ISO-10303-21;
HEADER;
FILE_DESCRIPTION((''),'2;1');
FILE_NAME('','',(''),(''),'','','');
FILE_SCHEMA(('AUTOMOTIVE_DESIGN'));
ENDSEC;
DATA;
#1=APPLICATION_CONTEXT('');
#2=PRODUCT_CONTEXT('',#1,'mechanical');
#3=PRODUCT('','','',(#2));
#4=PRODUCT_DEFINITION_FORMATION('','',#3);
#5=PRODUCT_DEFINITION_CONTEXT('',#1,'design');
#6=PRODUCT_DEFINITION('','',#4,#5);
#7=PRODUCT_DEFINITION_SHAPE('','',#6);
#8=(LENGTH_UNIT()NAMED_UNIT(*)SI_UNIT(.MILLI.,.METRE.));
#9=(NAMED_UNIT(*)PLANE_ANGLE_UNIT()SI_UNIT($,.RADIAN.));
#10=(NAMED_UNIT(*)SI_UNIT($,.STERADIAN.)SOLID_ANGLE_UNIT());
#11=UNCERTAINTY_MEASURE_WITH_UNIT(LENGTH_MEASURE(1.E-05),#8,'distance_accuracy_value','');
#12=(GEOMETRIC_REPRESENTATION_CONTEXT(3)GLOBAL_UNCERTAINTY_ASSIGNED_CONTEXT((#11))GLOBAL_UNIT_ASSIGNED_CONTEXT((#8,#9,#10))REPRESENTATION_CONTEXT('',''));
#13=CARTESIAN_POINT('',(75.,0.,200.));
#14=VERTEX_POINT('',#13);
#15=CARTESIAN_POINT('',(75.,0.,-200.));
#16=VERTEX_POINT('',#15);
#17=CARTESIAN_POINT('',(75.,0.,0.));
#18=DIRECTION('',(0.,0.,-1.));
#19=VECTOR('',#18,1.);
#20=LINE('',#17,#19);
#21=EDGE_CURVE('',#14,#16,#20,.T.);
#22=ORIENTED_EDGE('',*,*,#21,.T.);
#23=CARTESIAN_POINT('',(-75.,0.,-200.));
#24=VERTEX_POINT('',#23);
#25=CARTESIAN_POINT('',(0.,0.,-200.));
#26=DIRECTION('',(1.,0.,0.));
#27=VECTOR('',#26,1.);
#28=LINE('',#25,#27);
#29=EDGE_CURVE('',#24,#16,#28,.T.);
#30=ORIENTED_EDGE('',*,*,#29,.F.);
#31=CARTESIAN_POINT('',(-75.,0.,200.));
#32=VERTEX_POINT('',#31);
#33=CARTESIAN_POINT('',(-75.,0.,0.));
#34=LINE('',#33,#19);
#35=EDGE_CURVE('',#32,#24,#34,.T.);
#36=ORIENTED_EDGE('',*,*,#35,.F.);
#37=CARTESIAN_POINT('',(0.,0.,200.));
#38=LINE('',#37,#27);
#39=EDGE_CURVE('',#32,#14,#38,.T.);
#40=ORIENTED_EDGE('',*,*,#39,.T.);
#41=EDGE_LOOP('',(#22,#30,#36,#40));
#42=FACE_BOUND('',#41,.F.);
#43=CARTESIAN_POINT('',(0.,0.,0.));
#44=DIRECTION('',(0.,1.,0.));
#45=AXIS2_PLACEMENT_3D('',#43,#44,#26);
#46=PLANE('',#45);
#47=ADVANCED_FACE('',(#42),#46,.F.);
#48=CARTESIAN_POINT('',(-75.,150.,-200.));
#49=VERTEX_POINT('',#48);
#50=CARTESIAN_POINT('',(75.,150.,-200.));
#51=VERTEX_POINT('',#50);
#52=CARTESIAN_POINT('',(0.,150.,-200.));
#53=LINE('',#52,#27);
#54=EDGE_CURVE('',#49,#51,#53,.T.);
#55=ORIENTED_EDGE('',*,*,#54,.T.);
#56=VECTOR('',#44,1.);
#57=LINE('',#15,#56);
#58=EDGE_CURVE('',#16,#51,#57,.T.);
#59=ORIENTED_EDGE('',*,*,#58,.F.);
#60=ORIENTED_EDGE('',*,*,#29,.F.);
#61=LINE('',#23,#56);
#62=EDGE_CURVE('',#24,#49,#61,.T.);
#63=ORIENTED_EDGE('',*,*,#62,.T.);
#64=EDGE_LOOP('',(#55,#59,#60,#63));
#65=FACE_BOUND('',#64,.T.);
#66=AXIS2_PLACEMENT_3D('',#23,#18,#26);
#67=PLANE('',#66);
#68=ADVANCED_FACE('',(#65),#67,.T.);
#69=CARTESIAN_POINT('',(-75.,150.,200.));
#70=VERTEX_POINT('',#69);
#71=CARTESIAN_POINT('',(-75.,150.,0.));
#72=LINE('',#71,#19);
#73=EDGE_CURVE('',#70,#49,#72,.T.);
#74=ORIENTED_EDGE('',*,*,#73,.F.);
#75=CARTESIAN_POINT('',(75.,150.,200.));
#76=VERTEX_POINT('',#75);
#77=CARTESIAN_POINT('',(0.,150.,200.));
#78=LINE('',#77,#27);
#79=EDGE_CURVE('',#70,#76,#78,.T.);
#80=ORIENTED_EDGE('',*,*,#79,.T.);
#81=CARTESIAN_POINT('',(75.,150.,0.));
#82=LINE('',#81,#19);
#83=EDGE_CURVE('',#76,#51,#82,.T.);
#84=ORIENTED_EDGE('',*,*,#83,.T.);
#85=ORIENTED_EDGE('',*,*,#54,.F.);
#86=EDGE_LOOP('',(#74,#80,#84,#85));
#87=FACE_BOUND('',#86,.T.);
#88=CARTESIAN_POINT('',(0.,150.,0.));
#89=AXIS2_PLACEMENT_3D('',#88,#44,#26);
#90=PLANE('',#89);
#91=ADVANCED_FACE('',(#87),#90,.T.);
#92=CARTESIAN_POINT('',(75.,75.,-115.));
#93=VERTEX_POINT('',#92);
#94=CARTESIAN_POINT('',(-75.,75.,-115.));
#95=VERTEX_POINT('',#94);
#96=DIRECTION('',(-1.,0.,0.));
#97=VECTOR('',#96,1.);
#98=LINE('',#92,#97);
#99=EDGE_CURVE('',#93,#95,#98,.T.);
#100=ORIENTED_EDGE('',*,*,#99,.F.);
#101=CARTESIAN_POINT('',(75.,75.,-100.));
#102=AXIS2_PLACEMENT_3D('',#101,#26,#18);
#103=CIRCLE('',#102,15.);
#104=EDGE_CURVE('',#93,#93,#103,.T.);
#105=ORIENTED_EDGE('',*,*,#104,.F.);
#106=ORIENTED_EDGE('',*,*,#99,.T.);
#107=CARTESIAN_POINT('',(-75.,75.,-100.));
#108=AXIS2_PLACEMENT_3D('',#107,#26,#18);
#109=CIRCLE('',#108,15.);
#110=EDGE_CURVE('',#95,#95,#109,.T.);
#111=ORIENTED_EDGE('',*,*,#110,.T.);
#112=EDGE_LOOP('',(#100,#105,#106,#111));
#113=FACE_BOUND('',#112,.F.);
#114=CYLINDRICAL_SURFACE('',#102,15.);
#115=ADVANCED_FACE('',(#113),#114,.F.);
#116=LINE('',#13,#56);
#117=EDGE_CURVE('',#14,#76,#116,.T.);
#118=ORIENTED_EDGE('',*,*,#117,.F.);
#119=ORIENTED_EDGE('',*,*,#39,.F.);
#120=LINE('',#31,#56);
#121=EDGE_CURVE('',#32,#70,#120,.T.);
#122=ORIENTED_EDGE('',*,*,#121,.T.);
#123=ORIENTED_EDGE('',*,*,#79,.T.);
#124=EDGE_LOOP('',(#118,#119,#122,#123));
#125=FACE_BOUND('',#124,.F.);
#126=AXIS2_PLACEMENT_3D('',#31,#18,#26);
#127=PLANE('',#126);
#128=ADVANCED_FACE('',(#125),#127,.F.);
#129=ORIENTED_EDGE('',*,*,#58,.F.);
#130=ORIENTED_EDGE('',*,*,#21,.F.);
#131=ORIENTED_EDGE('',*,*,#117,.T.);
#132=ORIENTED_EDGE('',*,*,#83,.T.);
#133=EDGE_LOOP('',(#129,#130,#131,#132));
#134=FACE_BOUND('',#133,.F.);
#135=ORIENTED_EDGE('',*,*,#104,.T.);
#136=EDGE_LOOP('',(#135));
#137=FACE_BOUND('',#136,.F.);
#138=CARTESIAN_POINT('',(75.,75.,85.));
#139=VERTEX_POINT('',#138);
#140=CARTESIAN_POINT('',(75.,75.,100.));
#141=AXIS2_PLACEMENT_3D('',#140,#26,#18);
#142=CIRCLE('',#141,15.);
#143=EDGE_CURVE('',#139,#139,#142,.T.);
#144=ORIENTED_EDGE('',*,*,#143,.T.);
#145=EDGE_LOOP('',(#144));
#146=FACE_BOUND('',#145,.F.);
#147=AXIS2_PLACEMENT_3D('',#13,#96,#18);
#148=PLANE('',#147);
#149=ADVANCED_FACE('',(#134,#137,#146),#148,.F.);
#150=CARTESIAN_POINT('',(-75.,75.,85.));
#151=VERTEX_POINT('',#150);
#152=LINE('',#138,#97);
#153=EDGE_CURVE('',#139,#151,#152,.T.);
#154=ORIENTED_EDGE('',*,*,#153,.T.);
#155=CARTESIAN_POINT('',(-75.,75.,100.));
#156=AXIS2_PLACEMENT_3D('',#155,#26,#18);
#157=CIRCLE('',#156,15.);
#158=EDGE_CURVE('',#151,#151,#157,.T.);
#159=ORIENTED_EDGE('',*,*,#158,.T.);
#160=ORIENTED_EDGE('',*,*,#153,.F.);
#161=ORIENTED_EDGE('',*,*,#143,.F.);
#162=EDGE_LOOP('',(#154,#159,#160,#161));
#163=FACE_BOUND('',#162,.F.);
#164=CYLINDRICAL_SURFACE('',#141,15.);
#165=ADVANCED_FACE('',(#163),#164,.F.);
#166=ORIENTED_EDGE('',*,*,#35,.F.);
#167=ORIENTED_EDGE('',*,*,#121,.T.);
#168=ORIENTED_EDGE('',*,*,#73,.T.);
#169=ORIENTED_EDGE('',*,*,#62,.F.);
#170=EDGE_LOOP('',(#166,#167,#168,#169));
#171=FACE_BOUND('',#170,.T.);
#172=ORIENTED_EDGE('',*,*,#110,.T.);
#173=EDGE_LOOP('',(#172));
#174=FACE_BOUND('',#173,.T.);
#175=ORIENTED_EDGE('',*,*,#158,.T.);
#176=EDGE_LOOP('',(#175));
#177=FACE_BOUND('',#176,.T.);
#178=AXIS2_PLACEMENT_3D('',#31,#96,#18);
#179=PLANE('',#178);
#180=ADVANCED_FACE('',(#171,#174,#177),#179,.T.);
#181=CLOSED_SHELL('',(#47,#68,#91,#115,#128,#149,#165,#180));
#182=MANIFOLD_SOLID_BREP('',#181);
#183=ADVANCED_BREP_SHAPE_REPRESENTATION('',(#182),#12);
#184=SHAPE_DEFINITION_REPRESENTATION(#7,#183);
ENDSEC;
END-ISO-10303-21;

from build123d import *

# Parameters (mm, degrees)
SKETCH1_W           = 150
SKETCH1_H           = 400
BOSS_EXTRUDE1_DEPTH = 150
SKETCH2_R           = 15
CUT_EXTRUDE1_DEPTH  = 151


with BuildPart() as part:
    # Sketch1 → Boss-Extrude1 (new body)
    with BuildSketch(Plane(origin=(0, 0, 0), x_dir=(1, 0, 0), z_dir=(0, 1, 0))):
        Rectangle(SKETCH1_W, SKETCH1_H)
    extrude(amount=BOSS_EXTRUDE1_DEPTH)

    # Sketch2 → Cut-Extrude1 (cut, through all)
    with BuildSketch(Plane(origin=(75, 0, 0), x_dir=(0, 0, -1), z_dir=(1, 0, 0))):
        with Locations((-100, 75)):
            Circle(SKETCH2_R)
        with Locations((100, 75)):
            Circle(SKETCH2_R)
    extrude(amount=-CUT_EXTRUDE1_DEPTH, mode=Mode.SUBTRACT)


solid = part.part
